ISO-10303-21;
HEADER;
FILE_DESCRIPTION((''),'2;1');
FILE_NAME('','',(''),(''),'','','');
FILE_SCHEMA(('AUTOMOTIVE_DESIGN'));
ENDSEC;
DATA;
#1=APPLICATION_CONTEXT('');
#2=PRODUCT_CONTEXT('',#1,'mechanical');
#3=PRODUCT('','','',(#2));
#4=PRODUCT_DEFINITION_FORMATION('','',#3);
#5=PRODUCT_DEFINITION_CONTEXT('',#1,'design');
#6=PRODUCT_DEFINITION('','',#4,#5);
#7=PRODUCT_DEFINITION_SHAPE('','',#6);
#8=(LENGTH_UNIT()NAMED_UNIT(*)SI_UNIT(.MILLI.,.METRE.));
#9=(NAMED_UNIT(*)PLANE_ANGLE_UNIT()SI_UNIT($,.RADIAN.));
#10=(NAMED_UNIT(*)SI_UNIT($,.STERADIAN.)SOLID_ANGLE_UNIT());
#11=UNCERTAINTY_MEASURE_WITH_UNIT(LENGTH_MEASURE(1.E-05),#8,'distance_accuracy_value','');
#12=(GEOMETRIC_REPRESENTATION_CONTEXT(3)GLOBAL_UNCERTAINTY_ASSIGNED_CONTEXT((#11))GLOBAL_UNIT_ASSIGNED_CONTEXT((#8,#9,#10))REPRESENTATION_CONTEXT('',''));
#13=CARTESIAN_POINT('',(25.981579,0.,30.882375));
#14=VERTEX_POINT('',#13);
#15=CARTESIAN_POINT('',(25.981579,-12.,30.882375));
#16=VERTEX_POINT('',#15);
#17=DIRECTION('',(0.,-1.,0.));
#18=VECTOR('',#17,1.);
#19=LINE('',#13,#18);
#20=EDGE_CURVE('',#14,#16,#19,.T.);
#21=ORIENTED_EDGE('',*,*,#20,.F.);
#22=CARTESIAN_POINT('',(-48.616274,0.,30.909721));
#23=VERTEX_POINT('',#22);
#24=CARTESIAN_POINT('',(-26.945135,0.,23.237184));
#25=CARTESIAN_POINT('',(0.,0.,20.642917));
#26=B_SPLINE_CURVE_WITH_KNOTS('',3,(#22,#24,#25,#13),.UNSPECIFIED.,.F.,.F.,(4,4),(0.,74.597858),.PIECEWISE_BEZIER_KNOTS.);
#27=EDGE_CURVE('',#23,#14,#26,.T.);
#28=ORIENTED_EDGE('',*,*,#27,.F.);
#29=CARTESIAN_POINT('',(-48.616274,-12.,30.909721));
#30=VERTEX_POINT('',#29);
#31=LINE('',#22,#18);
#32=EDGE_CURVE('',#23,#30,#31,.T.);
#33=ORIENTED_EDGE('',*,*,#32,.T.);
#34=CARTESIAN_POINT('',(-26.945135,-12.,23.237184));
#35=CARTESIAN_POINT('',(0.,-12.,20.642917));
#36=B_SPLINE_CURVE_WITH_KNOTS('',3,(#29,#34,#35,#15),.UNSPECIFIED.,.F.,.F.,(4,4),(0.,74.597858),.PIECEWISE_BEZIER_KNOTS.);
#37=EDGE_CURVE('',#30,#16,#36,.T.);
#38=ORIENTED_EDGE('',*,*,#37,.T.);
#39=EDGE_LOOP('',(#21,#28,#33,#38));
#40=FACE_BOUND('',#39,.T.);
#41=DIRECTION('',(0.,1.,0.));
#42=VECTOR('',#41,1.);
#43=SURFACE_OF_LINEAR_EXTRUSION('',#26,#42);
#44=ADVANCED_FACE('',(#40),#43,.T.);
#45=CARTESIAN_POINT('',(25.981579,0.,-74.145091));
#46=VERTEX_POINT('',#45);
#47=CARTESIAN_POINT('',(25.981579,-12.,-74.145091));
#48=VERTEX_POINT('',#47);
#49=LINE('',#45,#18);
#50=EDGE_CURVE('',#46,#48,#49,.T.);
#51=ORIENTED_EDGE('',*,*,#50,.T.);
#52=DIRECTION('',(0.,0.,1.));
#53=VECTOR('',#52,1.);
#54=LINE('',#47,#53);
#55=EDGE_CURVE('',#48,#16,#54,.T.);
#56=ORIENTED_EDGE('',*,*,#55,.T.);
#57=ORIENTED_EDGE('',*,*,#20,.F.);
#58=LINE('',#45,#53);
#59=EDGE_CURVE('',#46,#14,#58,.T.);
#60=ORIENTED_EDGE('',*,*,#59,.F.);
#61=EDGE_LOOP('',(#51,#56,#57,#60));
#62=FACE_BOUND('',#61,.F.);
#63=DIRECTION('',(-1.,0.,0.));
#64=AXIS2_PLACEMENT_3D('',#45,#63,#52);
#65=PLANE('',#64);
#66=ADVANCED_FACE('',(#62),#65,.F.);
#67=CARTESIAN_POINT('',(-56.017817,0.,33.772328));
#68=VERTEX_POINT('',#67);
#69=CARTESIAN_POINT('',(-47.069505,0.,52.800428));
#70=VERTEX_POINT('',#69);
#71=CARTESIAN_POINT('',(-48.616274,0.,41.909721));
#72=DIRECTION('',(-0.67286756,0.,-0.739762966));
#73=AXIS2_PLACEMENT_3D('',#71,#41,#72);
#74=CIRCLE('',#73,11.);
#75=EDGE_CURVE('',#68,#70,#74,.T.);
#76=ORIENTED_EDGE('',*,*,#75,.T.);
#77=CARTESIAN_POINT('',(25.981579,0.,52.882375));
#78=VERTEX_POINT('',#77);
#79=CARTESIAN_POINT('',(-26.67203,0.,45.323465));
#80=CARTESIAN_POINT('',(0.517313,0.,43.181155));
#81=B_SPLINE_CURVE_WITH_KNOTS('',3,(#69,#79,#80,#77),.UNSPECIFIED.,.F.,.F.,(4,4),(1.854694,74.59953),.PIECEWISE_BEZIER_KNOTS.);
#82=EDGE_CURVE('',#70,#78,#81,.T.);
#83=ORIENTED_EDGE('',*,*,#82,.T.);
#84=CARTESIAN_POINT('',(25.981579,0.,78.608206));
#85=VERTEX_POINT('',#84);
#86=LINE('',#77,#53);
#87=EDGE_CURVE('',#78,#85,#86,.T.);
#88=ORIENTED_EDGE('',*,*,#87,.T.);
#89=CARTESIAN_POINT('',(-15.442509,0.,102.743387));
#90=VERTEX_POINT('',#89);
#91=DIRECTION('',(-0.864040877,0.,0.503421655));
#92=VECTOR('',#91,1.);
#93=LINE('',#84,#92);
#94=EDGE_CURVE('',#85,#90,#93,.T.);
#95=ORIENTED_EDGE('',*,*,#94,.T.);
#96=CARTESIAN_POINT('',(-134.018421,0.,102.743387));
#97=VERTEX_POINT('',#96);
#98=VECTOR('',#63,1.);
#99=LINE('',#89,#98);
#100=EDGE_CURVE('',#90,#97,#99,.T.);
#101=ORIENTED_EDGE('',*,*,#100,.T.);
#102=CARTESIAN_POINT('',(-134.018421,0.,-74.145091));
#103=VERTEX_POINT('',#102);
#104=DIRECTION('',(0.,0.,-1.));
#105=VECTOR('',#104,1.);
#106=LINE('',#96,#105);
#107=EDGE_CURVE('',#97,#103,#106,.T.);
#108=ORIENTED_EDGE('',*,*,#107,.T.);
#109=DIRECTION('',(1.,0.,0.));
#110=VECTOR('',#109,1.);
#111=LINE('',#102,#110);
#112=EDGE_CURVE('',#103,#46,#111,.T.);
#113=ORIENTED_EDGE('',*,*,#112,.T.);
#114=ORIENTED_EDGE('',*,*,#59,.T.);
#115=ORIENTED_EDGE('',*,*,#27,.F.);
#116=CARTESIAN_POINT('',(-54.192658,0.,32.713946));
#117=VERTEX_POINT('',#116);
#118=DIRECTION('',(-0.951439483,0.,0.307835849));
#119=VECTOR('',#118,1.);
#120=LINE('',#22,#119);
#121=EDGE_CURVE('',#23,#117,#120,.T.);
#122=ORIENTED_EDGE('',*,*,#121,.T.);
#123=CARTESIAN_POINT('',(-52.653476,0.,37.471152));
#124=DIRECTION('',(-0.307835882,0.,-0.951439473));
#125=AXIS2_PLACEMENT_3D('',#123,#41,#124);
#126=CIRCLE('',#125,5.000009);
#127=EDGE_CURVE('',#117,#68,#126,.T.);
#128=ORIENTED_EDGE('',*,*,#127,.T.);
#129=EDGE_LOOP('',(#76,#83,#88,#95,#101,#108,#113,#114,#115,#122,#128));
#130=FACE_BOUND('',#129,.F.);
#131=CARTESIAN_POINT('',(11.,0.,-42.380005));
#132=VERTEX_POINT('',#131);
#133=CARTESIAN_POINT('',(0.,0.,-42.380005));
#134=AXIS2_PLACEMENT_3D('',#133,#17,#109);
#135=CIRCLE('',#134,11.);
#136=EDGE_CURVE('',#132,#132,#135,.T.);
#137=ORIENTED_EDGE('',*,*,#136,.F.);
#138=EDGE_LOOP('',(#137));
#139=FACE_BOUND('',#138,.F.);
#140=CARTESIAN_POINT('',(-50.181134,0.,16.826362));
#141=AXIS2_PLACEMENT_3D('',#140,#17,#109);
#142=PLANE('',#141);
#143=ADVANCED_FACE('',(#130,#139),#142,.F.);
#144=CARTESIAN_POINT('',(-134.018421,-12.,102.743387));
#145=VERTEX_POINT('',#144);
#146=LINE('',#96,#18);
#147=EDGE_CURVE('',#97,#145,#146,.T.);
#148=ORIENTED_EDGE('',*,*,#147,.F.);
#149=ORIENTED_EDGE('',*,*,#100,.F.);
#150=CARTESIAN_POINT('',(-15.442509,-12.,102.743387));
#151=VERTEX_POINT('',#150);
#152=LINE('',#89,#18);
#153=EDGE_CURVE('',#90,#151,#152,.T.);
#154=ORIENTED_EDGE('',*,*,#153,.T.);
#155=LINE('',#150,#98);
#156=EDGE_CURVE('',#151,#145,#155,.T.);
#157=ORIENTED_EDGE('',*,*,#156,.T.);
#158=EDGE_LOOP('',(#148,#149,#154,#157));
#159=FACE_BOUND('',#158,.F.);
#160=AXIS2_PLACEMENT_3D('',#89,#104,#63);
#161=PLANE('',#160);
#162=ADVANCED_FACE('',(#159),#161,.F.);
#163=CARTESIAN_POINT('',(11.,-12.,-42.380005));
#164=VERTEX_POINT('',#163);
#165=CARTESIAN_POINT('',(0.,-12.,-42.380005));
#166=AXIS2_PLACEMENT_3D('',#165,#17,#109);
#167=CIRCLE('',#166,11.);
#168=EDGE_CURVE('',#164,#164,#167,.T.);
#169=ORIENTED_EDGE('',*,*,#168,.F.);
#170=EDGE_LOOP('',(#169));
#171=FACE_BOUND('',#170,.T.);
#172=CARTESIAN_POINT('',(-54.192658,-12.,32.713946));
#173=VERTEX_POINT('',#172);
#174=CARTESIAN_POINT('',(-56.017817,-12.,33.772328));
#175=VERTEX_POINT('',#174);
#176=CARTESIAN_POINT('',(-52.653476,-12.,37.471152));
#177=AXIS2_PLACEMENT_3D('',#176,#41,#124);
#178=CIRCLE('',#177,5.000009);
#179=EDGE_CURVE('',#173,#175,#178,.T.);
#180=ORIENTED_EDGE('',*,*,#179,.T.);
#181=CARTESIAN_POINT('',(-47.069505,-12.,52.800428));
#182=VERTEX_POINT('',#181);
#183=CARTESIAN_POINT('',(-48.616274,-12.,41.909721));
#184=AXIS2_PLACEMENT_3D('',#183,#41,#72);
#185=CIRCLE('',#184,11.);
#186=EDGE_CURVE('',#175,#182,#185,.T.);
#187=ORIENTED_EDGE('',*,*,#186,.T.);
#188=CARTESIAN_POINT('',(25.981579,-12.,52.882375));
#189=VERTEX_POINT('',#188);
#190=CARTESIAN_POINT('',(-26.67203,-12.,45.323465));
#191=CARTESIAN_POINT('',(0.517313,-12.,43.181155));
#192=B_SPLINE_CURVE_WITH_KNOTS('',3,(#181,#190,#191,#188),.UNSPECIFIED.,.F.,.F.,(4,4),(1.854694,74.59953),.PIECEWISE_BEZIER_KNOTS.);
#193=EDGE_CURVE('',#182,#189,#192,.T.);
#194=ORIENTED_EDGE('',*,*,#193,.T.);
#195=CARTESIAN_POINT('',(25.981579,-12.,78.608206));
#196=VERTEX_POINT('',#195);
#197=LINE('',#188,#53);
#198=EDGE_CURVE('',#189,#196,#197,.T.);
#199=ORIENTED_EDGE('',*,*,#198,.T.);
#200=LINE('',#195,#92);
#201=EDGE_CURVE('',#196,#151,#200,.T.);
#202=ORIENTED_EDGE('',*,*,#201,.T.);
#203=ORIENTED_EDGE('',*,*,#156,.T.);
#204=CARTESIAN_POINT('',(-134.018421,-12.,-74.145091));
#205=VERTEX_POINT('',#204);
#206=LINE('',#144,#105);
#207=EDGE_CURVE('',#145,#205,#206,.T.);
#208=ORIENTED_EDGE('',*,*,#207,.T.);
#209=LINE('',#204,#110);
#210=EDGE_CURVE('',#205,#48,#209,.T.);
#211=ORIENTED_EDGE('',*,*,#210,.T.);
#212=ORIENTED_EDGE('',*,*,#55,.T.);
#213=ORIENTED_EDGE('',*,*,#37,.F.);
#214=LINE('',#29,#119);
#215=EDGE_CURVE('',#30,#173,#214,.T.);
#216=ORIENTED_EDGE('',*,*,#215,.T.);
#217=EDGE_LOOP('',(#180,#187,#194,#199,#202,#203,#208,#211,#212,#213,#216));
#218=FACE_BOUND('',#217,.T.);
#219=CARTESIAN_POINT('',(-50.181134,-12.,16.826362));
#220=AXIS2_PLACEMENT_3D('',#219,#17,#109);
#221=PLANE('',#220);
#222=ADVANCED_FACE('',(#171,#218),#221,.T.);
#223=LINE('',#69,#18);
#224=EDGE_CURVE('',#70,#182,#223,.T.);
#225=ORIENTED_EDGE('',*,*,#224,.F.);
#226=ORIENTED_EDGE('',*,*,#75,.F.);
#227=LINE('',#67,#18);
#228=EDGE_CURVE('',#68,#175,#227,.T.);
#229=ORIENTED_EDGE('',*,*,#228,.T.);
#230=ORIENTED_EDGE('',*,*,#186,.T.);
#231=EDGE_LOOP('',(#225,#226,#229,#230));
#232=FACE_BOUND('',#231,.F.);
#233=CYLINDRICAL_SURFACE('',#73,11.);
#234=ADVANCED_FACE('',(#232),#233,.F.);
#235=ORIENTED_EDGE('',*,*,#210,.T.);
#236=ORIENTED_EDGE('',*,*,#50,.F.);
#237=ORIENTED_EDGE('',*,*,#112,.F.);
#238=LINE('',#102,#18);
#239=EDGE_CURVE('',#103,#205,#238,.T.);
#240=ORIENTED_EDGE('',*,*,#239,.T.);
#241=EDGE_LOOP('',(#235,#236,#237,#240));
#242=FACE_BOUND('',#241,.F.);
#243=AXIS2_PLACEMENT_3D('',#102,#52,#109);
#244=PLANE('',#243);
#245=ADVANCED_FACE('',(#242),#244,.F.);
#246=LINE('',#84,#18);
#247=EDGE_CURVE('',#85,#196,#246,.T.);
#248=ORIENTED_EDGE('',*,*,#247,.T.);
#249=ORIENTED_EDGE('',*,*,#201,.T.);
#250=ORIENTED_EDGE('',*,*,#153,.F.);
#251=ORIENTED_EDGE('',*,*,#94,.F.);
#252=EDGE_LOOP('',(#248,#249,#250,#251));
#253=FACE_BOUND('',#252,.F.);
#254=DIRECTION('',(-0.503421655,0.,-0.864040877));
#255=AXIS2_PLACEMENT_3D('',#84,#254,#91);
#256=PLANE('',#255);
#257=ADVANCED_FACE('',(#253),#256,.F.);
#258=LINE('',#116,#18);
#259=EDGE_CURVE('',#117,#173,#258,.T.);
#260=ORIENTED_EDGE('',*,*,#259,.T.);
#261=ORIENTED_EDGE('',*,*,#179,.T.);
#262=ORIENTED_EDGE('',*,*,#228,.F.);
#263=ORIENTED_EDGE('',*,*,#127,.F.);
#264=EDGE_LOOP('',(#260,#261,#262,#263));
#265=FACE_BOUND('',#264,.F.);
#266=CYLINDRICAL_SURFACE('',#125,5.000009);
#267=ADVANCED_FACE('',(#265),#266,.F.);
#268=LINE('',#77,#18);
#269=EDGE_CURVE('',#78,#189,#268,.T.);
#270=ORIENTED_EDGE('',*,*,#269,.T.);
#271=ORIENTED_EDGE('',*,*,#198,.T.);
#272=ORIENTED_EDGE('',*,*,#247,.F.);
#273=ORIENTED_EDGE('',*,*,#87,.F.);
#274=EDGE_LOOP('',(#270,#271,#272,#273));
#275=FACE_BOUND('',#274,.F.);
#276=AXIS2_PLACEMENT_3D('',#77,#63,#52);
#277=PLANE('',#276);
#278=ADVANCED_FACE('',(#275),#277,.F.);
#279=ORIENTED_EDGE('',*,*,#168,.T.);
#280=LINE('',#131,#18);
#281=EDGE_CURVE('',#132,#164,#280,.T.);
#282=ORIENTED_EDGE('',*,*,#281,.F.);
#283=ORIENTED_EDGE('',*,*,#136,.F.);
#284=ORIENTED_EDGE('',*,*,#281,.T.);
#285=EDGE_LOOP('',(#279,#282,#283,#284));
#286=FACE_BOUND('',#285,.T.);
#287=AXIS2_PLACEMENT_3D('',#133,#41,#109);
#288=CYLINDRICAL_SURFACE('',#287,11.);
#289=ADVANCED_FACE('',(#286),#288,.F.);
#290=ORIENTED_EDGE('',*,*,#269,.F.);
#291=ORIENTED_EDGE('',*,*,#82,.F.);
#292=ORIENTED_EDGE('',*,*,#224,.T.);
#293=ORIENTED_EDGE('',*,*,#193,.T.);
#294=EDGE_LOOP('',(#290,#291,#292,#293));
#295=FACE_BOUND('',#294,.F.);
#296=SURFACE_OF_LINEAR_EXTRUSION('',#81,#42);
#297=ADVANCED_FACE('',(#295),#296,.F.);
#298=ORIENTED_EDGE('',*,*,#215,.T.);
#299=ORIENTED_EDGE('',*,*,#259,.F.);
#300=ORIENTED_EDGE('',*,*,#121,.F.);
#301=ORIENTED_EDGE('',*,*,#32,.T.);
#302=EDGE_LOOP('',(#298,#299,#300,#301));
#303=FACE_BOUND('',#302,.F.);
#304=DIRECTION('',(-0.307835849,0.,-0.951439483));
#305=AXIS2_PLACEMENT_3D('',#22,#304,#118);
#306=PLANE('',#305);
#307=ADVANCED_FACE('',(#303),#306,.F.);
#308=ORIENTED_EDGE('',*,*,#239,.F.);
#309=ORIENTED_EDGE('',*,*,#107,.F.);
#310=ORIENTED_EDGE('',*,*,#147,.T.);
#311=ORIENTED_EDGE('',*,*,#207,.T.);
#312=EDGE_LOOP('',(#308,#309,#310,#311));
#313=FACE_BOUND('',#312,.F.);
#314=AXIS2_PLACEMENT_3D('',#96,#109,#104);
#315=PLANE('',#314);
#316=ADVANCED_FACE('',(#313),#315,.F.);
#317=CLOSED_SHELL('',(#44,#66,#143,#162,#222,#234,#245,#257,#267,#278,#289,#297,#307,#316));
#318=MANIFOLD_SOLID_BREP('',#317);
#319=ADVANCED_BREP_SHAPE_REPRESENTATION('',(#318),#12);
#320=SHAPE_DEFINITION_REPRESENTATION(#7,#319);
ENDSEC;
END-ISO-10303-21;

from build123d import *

# Parameters (mm, degrees)
F0_R     = 11
F1_DEPTH = 12


with BuildPart() as f1:
    # F0 (on Front) → F1 (new body)
    with BuildSketch(Plane.XZ):
        with BuildLine():
            Line((25.981579, 78.608206), (-15.442509, 102.743387))
            Line((-15.442509, 102.743387), (-134.018421, 102.743387))
            Line((-134.018421, 102.743387), (-134.018421, -74.145091))
            Line((-134.018421, -74.145091), (25.981579, -74.145091))
            Line((25.981579, -74.145091), (25.981579, 30.882375))
            add(Edge.make_bspline(
                [(-48.616274, 30.909721), (-26.945135, 23.237184), (0, 20.642917), (25.981579, 30.882375)],
                knots=[0, 0, 0, 0, 74.597858, 74.597858, 74.597858, 74.597858], degree=3))
            Line((-48.616274, 30.909721), (-54.192658, 32.713946))
            ThreePointArc((-54.192658, 32.713946), (-55.161698, 33.145772), (-56.017817, 33.772328))
            ThreePointArc((-56.017817, 33.772328), (-58.570506, 46.590881), (-47.069505, 52.800428))
            add(Edge.make_bspline(
                [(-47.069505, 52.800428), (-26.67203, 45.323465), (0.517313, 43.181155), (25.981579, 52.882375)],
                knots=[1.854694, 1.854694, 1.854694, 1.854694, 74.59953, 74.59953, 74.59953, 74.59953], degree=3))
            Line((25.981579, 52.882375), (25.981579, 78.608206))
        make_face()
        with Locations((0, -42.380005)):
            Circle(F0_R, mode=Mode.SUBTRACT)
    extrude(amount=F1_DEPTH)


solid = f1.part
